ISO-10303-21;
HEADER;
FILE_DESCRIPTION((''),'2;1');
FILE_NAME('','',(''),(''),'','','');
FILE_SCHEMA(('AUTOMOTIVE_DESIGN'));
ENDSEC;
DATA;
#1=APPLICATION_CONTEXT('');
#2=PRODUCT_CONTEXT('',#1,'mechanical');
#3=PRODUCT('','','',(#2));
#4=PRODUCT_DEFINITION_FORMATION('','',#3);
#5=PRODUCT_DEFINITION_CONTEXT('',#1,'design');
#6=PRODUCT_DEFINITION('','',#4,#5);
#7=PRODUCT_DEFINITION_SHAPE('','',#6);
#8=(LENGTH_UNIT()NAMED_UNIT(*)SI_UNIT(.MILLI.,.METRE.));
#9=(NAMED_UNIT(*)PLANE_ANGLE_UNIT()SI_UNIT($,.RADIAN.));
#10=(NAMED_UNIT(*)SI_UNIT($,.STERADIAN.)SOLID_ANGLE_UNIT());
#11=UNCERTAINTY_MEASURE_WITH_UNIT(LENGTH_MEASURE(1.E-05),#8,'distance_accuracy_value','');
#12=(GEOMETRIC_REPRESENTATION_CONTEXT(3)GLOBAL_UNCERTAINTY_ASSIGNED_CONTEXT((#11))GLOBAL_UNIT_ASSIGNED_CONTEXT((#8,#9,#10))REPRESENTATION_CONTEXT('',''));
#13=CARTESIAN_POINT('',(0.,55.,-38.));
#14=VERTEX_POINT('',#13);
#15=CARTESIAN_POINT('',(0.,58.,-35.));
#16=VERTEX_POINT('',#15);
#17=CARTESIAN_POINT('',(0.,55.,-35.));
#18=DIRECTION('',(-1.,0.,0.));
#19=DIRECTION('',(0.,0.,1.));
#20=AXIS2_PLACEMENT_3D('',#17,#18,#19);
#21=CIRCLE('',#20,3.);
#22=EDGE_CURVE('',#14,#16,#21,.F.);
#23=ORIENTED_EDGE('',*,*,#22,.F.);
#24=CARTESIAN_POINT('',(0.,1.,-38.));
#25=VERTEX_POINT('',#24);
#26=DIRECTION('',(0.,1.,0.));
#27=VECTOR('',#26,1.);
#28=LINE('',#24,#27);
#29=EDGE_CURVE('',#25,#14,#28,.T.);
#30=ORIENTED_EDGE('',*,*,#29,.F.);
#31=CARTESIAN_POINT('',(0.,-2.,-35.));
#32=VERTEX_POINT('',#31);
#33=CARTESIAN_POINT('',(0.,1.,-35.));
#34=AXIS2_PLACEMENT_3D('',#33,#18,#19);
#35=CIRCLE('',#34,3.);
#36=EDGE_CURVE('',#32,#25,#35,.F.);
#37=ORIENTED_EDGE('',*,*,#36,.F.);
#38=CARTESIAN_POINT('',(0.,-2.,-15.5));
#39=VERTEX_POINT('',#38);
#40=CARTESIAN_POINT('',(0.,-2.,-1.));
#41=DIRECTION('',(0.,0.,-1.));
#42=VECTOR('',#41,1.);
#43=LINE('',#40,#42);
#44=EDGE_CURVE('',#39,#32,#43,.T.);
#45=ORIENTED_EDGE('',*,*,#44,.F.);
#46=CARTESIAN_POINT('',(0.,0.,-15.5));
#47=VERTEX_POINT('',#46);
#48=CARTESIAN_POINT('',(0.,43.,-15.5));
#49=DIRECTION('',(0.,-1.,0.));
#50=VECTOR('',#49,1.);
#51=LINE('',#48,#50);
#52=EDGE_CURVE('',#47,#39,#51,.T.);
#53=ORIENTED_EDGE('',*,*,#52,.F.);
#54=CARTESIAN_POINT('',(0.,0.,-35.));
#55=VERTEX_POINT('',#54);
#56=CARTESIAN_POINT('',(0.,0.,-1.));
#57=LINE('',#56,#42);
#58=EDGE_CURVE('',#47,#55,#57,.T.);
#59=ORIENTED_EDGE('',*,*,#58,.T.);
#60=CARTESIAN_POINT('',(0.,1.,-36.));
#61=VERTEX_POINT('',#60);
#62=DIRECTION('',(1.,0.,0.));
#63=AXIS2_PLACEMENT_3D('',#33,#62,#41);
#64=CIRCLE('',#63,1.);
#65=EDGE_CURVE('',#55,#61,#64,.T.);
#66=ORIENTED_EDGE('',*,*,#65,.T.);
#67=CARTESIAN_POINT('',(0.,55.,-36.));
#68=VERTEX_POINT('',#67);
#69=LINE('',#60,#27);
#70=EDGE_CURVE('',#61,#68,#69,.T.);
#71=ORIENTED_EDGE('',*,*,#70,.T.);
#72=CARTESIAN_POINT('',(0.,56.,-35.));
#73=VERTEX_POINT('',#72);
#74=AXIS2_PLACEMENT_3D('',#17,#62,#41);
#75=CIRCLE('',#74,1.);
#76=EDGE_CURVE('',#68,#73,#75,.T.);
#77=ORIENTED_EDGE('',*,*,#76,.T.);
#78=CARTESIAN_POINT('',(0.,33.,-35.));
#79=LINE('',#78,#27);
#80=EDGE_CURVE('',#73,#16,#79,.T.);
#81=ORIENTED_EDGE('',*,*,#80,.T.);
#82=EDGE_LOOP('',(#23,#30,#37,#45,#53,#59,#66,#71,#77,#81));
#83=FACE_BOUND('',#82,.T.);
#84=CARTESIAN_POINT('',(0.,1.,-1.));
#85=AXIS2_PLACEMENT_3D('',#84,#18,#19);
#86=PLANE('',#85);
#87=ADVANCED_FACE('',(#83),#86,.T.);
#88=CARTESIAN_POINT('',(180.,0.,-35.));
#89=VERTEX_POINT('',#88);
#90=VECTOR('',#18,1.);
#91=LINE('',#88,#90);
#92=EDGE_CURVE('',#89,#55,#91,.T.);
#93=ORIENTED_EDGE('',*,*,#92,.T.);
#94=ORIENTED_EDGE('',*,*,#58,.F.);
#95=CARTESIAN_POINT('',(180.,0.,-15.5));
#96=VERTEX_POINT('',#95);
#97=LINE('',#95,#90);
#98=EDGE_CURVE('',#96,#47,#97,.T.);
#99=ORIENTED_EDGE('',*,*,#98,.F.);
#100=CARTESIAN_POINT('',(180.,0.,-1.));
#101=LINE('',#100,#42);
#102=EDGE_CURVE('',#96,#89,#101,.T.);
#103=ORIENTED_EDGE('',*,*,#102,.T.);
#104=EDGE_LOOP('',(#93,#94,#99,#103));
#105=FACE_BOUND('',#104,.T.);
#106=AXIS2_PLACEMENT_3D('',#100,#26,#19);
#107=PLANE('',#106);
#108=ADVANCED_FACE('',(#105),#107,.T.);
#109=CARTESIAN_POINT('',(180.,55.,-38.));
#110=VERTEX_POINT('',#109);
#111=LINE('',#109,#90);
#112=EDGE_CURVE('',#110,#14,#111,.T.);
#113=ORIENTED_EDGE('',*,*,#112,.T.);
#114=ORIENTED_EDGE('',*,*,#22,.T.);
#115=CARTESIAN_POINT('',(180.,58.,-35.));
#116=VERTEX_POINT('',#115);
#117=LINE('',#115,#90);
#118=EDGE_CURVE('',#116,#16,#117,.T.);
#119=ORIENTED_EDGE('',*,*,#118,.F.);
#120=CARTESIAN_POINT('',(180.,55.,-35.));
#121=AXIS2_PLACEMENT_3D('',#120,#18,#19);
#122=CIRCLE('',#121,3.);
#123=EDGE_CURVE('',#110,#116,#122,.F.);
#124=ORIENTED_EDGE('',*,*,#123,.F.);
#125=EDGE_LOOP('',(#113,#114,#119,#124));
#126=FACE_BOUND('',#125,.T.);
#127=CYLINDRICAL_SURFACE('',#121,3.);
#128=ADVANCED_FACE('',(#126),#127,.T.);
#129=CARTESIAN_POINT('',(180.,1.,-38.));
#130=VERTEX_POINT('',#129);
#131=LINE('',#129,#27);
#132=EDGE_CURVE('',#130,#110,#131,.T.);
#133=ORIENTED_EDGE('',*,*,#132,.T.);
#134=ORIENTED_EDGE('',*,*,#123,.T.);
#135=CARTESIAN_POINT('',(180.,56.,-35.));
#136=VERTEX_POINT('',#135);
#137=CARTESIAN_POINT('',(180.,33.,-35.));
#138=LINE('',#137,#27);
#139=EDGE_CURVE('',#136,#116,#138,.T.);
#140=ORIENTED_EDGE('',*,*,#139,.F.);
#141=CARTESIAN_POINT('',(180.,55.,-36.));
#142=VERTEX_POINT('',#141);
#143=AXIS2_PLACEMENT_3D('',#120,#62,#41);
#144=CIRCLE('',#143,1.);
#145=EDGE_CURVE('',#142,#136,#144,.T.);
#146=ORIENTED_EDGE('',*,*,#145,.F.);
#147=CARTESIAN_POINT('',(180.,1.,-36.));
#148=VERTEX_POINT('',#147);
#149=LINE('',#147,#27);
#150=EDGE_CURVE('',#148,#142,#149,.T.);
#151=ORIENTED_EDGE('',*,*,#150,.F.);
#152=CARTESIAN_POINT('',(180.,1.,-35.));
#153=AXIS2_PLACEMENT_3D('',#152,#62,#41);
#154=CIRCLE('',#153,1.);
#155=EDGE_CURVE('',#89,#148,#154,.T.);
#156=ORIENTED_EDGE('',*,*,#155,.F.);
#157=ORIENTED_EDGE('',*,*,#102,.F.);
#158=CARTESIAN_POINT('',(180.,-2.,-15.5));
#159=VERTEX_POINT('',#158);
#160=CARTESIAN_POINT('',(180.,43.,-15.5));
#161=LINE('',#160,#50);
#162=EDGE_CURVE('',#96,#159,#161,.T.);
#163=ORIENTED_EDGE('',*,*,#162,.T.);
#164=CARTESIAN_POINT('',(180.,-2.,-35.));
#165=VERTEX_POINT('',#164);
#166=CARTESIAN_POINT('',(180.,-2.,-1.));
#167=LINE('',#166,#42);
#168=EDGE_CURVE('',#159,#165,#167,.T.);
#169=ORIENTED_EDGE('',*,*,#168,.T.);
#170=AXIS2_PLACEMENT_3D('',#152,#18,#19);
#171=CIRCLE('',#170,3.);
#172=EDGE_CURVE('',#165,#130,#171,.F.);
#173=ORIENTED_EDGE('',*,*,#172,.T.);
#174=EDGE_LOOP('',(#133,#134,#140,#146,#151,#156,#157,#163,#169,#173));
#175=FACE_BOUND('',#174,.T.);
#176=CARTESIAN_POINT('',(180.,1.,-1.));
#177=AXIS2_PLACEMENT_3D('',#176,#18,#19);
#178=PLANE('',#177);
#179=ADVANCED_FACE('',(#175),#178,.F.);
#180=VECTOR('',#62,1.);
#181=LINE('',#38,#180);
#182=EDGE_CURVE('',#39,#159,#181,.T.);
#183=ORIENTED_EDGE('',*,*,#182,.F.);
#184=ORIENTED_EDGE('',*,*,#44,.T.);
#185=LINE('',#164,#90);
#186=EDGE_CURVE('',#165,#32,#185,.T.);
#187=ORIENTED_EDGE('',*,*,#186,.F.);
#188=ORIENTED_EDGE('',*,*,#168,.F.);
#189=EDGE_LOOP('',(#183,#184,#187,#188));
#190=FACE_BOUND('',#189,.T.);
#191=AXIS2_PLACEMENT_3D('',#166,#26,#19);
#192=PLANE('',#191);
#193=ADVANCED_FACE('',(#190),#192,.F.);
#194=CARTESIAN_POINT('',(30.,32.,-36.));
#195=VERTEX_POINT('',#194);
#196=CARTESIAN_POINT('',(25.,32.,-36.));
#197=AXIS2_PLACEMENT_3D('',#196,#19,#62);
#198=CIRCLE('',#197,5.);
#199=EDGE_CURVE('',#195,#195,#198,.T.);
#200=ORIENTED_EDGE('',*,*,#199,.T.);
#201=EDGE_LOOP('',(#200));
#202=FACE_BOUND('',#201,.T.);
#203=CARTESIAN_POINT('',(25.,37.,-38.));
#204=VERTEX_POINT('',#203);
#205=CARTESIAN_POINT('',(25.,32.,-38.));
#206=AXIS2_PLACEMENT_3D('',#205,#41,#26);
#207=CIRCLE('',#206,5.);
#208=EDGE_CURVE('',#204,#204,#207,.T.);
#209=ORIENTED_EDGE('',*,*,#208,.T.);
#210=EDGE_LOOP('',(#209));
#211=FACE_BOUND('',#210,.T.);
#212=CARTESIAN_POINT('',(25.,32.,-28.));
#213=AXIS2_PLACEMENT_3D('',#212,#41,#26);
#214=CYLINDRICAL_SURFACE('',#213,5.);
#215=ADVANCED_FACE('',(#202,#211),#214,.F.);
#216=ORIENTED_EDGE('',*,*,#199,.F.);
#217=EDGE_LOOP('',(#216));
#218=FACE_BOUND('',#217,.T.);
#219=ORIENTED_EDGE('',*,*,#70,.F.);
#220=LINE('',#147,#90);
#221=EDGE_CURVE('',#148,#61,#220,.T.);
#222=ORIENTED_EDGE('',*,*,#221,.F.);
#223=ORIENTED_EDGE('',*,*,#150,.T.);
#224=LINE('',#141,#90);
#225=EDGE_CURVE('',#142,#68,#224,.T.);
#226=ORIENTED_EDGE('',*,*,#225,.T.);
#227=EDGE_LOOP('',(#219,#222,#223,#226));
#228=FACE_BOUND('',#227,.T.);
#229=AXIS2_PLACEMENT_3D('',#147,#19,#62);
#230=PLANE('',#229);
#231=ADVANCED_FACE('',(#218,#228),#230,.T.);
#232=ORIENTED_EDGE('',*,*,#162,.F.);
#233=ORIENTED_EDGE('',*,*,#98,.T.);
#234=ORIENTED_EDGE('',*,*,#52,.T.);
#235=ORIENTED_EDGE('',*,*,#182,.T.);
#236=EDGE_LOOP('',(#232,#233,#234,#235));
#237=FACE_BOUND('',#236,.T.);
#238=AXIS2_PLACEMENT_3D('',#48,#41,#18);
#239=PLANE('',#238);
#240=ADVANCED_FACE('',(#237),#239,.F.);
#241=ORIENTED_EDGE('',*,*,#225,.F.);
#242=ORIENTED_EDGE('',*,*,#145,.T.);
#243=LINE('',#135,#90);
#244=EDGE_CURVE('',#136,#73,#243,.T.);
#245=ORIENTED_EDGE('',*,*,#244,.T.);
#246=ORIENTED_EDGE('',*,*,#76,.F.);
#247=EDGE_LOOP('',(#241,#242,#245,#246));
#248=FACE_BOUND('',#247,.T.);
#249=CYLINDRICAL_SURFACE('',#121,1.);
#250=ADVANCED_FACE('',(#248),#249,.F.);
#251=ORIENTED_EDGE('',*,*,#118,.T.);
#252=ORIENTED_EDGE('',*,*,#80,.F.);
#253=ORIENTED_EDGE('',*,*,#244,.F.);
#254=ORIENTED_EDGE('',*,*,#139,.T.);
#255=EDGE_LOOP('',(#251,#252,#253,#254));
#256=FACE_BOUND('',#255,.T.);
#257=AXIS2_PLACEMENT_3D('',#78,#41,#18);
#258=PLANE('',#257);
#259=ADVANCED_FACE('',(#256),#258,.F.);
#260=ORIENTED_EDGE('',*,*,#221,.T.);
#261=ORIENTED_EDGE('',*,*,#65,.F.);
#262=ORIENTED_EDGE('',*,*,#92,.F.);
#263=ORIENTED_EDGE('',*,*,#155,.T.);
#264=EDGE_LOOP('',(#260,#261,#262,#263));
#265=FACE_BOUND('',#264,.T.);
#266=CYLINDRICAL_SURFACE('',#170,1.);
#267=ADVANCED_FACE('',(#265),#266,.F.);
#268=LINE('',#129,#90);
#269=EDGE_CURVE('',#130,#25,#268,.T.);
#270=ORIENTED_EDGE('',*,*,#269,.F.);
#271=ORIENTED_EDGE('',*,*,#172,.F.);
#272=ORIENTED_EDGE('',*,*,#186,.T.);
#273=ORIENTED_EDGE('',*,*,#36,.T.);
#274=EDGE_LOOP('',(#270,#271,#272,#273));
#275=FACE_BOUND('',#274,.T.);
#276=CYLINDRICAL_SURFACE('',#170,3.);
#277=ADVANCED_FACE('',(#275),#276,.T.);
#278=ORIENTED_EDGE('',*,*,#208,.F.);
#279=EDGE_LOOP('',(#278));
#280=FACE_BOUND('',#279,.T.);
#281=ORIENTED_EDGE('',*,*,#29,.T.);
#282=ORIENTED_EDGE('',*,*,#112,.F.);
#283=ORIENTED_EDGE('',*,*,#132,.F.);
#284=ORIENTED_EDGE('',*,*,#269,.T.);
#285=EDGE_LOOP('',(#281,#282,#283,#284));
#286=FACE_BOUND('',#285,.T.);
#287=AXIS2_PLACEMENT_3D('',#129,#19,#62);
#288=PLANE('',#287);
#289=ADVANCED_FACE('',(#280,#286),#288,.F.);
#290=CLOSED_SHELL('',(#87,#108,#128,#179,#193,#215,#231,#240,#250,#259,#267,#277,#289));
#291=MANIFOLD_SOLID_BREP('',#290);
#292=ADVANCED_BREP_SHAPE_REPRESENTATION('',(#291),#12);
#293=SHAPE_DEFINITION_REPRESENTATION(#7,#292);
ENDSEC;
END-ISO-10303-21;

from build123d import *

# Parameters (mm, degrees)
EXTRUDE_1_DEPTH     = 180
SKETCH_2_W          = 180
SKETCH_2_H          = 17.5
CUT_EXTRUDE_1_DEPTH = 45
SKETCH_3_W          = 180
SKETCH_3_H          = 37
CUT_EXTRUDE_2_DEPTH = 25
SKETCH_4_R          = 5
CUT_EXTRUDE_3_DEPTH = 10


with BuildPart() as part:
    # Эскиз1 → Вытянуть-Тонкостенный1 (new body)
    with BuildSketch(Plane(origin=(0, 0, 0), x_dir=(0, 0, -1), z_dir=(1, 0, 0))):
        with BuildLine():
            Line((-2, 55), (-2, 1))
            ThreePointArc((-2, 1), (-1.121320344, -1.121320344), (1, -2))
            Line((1, -2), (35, -2))
            ThreePointArc((35, -2), (37.121320344, -1.121320344), (38, 1))
            Line((38, 1), (38, 55))
            ThreePointArc((38, 55), (37.121320344, 57.121320344), (35, 58))
            Line((35, 58), (1, 58))
            ThreePointArc((1, 58), (-1.121320344, 57.121320344), (-2, 55))
        make_face()
        with BuildLine():
            Line((0, 55), (0, 1))
            ThreePointArc((0, 1), (0.292893219, 0.292893219), (1, 0))
            Line((1, 0), (35, 0))
            ThreePointArc((35, 0), (35.707106781, 0.292893219), (36, 1))
            Line((36, 1), (36, 55))
            ThreePointArc((36, 55), (35.707106781, 55.707106781), (35, 56))
            Line((35, 56), (1, 56))
            ThreePointArc((1, 56), (0.292893219, 55.707106781), (0, 55))
        make_face(mode=Mode.SUBTRACT)
    extrude(amount=EXTRUDE_1_DEPTH)

    # Эскиз2 → Вырез-Вытянуть1 (cut)
    with BuildSketch(Plane.XZ.offset(2)):
        with Locations((90, -6.75)):
            Rectangle(SKETCH_2_W, SKETCH_2_H)
    extrude(amount=-CUT_EXTRUDE_1_DEPTH, mode=Mode.SUBTRACT)

    # Эскиз3 → Вырез-Вытянуть2 (cut)
    with BuildSketch(Plane(origin=(0, 58, 0), x_dir=(1, 0, 0), z_dir=(0, 1, 0))):
        with Locations((90, 16.5)):
            Rectangle(SKETCH_3_W, SKETCH_3_H)
    extrude(amount=-CUT_EXTRUDE_2_DEPTH, mode=Mode.SUBTRACT)

    # Эскиз4 → Вырез-Вытянуть3 (cut)
    with BuildSketch(Plane(origin=(0, 0, -38), x_dir=(-1, 0, 0), z_dir=(0, 0, -1))):
        with Locations((-25, 32)):
            Circle(SKETCH_4_R)
    extrude(amount=-CUT_EXTRUDE_3_DEPTH, mode=Mode.SUBTRACT)


solid = part.part
